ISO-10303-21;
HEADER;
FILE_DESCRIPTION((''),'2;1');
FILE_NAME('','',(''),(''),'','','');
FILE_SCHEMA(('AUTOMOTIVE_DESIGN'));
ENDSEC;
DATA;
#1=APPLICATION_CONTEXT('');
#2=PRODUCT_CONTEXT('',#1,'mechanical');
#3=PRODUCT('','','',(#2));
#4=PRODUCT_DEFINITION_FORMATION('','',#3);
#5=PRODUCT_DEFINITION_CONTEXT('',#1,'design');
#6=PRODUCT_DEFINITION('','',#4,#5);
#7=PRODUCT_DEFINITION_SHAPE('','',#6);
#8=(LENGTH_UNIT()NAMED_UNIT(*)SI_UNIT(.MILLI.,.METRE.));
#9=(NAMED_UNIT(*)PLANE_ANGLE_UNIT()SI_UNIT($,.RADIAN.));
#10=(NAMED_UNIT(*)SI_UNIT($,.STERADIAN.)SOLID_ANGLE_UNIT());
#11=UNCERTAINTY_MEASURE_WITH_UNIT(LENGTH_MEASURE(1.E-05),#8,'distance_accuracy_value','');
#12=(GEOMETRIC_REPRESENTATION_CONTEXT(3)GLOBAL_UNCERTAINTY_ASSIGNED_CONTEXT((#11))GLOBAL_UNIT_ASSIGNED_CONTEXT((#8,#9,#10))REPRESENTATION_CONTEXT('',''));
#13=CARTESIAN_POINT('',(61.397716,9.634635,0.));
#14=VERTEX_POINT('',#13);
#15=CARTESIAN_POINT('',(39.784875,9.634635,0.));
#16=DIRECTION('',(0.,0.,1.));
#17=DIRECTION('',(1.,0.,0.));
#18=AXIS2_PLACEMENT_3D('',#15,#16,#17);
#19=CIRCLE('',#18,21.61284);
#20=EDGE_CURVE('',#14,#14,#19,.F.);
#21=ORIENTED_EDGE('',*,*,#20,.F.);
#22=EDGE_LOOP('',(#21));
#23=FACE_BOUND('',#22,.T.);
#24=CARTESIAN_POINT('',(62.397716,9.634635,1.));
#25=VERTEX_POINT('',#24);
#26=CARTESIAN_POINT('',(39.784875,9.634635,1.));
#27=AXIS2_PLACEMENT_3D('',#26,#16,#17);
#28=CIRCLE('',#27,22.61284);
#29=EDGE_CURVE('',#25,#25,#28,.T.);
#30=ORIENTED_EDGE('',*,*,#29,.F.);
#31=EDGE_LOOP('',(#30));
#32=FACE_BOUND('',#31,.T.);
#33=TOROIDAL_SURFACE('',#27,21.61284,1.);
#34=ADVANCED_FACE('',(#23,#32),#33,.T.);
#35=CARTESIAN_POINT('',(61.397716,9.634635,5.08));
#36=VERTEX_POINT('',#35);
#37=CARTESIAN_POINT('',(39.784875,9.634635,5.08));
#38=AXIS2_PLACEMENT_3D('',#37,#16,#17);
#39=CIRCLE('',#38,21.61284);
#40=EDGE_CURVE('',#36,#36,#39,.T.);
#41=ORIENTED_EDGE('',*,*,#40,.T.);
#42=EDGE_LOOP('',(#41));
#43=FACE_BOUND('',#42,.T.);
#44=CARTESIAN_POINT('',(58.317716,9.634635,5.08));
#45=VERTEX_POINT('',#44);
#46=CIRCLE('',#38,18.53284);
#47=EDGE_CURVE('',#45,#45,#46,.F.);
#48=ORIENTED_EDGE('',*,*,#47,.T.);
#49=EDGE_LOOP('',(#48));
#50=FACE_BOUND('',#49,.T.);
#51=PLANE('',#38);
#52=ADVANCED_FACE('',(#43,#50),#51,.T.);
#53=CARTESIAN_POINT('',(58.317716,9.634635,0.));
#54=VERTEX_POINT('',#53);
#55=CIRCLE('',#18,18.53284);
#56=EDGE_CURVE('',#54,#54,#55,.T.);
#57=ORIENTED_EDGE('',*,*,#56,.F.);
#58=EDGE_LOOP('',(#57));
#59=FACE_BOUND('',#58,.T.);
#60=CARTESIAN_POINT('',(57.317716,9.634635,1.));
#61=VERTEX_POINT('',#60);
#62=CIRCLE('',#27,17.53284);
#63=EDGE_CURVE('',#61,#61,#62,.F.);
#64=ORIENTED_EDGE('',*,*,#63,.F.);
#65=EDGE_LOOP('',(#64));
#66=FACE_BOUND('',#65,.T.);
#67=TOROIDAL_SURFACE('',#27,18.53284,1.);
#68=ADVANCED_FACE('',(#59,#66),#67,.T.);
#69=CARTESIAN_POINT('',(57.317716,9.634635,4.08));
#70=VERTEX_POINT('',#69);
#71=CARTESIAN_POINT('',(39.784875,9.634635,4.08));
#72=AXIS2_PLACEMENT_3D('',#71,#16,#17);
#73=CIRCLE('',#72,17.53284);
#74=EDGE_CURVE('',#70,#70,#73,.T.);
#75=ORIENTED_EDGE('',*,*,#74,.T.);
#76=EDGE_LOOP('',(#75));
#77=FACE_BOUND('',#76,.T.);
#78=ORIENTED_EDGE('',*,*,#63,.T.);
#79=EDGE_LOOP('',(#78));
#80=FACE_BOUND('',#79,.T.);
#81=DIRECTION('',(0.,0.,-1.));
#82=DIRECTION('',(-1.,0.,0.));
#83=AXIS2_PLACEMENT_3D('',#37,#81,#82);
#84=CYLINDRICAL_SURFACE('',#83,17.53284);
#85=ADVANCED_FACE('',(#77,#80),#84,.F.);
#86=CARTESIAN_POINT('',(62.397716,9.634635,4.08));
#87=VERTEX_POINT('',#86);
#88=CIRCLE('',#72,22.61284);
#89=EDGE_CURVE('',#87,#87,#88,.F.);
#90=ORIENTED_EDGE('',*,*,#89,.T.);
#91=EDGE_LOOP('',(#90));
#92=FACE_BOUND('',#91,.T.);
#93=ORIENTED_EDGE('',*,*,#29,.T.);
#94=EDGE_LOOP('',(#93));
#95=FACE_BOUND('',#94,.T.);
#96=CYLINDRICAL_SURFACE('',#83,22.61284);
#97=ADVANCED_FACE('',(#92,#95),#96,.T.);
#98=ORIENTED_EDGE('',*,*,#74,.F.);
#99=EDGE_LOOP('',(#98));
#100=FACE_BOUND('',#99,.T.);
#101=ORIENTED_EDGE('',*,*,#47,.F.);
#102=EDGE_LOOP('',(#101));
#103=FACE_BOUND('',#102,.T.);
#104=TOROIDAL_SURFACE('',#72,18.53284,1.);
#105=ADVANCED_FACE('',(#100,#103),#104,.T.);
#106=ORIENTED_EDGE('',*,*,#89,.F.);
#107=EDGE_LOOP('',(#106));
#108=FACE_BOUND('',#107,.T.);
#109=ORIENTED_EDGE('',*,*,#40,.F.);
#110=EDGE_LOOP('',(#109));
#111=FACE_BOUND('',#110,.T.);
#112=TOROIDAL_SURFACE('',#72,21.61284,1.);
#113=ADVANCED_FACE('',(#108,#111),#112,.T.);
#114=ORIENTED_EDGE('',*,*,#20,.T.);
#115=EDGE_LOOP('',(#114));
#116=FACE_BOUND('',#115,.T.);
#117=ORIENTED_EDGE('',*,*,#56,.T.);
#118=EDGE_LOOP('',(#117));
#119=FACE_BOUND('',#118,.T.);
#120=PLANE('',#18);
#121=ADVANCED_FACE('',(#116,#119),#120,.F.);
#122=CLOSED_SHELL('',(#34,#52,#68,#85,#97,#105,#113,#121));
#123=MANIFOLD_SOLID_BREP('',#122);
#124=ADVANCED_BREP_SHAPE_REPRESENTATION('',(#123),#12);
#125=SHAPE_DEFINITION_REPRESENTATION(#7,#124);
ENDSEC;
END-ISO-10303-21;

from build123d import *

# Parameters (mm, degrees)
SKETCH1_R           = 22.612840435
SKETCH1_R_2         = 17.532840435
EXTRUDE_THIN1_DEPTH = 5.08
FILLET1_R           = 1


with BuildPart() as part:
    # Sketch1 → Extrude-Thin1 (new body)
    with BuildSketch(Plane.XY):
        with Locations((39.784875199, 9.634635023)):
            Circle(SKETCH1_R)
        with Locations((39.784875199, 9.634635023)):
            Circle(SKETCH1_R_2, mode=Mode.SUBTRACT)
    extrude(amount=EXTRUDE_THIN1_DEPTH)

    # Fillet1
    fillet1_edges = [part.edges().sort_by_distance(p)[0] for p in [
        (17.172034764, 9.634635023, 0),
        (17.172034764, 9.634635023, 5.08),
        (22.252034764, 9.634635023, 0),
        (22.252034764, 9.634635023, 5.08),
    ]]
    fillet(fillet1_edges, radius=FILLET1_R)


solid = part.part
